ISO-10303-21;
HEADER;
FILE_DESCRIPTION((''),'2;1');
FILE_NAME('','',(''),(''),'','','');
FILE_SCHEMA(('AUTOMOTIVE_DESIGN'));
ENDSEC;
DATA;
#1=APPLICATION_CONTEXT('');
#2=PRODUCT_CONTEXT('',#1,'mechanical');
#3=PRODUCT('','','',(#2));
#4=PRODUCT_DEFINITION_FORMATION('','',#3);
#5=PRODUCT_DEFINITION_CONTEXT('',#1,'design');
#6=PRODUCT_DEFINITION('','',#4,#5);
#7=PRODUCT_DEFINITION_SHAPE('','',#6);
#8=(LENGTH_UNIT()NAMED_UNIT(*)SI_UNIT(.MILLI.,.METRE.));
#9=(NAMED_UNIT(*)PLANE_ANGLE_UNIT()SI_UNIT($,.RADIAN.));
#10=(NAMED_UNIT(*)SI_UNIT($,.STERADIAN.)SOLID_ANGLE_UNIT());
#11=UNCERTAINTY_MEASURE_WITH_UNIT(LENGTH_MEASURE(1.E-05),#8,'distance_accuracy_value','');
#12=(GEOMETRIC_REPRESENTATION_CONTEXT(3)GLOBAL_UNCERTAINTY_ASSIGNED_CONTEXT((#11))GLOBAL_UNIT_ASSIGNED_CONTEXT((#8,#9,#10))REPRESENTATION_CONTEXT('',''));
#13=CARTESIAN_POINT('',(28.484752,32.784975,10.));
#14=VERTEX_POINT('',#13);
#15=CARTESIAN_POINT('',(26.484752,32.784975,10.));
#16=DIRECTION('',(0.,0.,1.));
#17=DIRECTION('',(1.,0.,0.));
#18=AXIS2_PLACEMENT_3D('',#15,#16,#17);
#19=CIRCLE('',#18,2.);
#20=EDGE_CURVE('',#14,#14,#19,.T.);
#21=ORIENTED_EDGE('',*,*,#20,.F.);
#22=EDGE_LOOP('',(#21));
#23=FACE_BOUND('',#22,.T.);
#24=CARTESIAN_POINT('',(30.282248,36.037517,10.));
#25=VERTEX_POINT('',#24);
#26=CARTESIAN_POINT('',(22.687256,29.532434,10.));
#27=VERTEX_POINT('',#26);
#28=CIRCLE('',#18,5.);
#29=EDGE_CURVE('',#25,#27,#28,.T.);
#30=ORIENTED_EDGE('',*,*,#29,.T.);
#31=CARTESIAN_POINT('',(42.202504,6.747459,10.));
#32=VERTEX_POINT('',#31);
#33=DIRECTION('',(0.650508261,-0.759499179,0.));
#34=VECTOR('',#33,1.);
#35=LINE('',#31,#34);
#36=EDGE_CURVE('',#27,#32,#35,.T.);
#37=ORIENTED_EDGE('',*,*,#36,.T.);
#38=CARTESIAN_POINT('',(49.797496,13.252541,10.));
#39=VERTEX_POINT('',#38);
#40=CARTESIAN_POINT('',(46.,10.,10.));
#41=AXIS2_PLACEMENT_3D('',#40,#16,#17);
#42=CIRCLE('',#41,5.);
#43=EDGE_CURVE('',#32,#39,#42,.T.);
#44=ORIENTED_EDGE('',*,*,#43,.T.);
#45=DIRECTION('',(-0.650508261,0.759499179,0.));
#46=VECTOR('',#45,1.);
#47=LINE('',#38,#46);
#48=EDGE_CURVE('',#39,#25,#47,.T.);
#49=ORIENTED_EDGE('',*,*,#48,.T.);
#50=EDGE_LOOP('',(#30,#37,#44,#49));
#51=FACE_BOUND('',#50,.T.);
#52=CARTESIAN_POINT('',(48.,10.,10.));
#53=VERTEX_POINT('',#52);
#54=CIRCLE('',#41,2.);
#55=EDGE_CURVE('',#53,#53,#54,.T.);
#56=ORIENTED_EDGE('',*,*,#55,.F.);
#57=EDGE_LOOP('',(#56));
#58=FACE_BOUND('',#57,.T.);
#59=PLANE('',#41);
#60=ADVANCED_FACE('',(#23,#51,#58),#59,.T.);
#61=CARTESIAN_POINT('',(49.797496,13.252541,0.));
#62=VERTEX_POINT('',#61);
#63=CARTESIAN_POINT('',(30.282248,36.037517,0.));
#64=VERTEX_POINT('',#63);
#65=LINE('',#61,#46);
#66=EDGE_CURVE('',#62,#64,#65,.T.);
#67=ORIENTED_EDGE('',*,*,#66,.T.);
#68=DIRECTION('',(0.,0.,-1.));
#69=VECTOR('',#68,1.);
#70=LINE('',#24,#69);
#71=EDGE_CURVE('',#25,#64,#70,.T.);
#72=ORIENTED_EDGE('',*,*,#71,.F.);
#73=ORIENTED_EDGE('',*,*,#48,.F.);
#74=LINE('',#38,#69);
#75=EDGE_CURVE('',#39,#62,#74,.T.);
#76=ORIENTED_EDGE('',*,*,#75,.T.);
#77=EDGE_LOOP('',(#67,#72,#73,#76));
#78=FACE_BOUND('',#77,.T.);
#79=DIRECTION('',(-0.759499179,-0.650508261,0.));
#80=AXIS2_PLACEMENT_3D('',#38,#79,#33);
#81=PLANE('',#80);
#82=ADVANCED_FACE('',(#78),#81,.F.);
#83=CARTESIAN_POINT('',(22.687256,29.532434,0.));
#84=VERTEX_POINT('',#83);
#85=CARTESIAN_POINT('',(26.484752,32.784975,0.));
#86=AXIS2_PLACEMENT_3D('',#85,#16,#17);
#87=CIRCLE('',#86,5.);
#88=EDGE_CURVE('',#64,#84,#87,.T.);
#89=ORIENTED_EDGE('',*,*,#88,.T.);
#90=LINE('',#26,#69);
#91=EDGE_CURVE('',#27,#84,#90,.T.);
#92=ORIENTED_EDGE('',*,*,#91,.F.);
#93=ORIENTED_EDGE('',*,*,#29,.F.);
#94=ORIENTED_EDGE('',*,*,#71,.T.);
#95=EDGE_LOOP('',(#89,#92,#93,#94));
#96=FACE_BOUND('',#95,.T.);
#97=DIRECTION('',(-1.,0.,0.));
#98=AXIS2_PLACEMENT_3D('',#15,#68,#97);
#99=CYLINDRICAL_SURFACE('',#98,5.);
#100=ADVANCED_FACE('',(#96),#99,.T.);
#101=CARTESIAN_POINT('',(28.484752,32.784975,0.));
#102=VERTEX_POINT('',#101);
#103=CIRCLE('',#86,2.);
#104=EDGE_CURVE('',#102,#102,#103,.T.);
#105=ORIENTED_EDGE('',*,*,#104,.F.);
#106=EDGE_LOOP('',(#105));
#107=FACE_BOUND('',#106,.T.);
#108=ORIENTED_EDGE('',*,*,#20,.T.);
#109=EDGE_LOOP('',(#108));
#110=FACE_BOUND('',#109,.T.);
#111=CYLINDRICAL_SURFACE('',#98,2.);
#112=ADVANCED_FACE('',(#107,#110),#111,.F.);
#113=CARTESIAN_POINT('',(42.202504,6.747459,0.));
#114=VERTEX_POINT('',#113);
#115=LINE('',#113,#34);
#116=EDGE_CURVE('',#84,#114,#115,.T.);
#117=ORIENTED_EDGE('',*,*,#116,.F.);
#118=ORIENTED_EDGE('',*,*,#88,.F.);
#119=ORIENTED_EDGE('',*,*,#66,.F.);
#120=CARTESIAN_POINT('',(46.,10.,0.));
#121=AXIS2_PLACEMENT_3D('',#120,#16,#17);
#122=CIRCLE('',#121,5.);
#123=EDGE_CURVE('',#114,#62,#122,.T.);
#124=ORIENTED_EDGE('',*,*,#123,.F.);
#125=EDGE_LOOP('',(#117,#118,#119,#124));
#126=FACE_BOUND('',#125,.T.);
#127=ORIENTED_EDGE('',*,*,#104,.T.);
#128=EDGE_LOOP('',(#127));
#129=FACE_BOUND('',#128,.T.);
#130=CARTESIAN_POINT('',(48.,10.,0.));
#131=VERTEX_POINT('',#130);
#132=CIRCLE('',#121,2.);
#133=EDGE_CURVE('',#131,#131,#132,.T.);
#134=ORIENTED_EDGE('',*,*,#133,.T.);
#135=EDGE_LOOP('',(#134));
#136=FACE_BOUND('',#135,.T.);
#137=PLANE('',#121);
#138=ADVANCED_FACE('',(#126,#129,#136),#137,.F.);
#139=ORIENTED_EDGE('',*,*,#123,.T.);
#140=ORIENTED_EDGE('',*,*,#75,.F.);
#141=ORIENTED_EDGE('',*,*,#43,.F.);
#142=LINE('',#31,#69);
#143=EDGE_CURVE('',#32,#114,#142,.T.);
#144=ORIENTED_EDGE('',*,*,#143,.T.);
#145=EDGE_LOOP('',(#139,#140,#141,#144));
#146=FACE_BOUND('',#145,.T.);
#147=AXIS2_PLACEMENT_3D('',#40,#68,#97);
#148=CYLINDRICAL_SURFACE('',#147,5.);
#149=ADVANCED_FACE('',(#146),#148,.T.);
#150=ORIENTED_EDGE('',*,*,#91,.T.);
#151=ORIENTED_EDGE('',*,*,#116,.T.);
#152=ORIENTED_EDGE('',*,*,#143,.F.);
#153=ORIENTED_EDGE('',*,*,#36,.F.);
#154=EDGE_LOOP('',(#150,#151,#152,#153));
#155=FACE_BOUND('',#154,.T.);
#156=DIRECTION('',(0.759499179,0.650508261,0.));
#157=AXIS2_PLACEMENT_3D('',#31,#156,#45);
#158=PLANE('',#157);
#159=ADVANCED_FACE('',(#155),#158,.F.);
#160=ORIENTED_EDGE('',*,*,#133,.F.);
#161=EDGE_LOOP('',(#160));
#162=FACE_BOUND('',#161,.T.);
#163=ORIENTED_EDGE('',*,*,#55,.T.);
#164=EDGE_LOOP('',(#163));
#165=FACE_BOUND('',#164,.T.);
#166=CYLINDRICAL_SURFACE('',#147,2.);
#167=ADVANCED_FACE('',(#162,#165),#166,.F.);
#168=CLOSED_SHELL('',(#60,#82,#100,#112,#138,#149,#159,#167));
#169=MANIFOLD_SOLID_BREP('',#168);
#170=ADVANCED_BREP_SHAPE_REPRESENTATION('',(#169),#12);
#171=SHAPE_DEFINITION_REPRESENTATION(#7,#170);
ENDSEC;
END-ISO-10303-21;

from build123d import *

# Parameters (mm, degrees)
SKETCH1_R           = 2
BOSS_EXTRUDE1_DEPTH = 10


with BuildPart() as part:
    # Sketch1 → Boss-Extrude1 (new body)
    with BuildSketch(Plane.XY):
        with BuildLine():
            Line((42.202504105, 6.747458697), (22.687256286, 29.532434066))
            ThreePointArc((22.687256286, 29.532434066), (23.232210878, 36.582471264), (30.282248076, 36.037516672))
            Line((30.282248076, 36.037516672), (49.797495895, 13.252541303))
            ThreePointArc((49.797495895, 13.252541303), (49.252541303, 6.202504105), (42.202504105, 6.747458697))
        make_face()
        with Locations((26.484752181, 32.784975369)):
            Circle(SKETCH1_R, mode=Mode.SUBTRACT)
        with Locations((46, 10)):
            Circle(SKETCH1_R, mode=Mode.SUBTRACT)
    extrude(amount=BOSS_EXTRUDE1_DEPTH)


solid = part.part
